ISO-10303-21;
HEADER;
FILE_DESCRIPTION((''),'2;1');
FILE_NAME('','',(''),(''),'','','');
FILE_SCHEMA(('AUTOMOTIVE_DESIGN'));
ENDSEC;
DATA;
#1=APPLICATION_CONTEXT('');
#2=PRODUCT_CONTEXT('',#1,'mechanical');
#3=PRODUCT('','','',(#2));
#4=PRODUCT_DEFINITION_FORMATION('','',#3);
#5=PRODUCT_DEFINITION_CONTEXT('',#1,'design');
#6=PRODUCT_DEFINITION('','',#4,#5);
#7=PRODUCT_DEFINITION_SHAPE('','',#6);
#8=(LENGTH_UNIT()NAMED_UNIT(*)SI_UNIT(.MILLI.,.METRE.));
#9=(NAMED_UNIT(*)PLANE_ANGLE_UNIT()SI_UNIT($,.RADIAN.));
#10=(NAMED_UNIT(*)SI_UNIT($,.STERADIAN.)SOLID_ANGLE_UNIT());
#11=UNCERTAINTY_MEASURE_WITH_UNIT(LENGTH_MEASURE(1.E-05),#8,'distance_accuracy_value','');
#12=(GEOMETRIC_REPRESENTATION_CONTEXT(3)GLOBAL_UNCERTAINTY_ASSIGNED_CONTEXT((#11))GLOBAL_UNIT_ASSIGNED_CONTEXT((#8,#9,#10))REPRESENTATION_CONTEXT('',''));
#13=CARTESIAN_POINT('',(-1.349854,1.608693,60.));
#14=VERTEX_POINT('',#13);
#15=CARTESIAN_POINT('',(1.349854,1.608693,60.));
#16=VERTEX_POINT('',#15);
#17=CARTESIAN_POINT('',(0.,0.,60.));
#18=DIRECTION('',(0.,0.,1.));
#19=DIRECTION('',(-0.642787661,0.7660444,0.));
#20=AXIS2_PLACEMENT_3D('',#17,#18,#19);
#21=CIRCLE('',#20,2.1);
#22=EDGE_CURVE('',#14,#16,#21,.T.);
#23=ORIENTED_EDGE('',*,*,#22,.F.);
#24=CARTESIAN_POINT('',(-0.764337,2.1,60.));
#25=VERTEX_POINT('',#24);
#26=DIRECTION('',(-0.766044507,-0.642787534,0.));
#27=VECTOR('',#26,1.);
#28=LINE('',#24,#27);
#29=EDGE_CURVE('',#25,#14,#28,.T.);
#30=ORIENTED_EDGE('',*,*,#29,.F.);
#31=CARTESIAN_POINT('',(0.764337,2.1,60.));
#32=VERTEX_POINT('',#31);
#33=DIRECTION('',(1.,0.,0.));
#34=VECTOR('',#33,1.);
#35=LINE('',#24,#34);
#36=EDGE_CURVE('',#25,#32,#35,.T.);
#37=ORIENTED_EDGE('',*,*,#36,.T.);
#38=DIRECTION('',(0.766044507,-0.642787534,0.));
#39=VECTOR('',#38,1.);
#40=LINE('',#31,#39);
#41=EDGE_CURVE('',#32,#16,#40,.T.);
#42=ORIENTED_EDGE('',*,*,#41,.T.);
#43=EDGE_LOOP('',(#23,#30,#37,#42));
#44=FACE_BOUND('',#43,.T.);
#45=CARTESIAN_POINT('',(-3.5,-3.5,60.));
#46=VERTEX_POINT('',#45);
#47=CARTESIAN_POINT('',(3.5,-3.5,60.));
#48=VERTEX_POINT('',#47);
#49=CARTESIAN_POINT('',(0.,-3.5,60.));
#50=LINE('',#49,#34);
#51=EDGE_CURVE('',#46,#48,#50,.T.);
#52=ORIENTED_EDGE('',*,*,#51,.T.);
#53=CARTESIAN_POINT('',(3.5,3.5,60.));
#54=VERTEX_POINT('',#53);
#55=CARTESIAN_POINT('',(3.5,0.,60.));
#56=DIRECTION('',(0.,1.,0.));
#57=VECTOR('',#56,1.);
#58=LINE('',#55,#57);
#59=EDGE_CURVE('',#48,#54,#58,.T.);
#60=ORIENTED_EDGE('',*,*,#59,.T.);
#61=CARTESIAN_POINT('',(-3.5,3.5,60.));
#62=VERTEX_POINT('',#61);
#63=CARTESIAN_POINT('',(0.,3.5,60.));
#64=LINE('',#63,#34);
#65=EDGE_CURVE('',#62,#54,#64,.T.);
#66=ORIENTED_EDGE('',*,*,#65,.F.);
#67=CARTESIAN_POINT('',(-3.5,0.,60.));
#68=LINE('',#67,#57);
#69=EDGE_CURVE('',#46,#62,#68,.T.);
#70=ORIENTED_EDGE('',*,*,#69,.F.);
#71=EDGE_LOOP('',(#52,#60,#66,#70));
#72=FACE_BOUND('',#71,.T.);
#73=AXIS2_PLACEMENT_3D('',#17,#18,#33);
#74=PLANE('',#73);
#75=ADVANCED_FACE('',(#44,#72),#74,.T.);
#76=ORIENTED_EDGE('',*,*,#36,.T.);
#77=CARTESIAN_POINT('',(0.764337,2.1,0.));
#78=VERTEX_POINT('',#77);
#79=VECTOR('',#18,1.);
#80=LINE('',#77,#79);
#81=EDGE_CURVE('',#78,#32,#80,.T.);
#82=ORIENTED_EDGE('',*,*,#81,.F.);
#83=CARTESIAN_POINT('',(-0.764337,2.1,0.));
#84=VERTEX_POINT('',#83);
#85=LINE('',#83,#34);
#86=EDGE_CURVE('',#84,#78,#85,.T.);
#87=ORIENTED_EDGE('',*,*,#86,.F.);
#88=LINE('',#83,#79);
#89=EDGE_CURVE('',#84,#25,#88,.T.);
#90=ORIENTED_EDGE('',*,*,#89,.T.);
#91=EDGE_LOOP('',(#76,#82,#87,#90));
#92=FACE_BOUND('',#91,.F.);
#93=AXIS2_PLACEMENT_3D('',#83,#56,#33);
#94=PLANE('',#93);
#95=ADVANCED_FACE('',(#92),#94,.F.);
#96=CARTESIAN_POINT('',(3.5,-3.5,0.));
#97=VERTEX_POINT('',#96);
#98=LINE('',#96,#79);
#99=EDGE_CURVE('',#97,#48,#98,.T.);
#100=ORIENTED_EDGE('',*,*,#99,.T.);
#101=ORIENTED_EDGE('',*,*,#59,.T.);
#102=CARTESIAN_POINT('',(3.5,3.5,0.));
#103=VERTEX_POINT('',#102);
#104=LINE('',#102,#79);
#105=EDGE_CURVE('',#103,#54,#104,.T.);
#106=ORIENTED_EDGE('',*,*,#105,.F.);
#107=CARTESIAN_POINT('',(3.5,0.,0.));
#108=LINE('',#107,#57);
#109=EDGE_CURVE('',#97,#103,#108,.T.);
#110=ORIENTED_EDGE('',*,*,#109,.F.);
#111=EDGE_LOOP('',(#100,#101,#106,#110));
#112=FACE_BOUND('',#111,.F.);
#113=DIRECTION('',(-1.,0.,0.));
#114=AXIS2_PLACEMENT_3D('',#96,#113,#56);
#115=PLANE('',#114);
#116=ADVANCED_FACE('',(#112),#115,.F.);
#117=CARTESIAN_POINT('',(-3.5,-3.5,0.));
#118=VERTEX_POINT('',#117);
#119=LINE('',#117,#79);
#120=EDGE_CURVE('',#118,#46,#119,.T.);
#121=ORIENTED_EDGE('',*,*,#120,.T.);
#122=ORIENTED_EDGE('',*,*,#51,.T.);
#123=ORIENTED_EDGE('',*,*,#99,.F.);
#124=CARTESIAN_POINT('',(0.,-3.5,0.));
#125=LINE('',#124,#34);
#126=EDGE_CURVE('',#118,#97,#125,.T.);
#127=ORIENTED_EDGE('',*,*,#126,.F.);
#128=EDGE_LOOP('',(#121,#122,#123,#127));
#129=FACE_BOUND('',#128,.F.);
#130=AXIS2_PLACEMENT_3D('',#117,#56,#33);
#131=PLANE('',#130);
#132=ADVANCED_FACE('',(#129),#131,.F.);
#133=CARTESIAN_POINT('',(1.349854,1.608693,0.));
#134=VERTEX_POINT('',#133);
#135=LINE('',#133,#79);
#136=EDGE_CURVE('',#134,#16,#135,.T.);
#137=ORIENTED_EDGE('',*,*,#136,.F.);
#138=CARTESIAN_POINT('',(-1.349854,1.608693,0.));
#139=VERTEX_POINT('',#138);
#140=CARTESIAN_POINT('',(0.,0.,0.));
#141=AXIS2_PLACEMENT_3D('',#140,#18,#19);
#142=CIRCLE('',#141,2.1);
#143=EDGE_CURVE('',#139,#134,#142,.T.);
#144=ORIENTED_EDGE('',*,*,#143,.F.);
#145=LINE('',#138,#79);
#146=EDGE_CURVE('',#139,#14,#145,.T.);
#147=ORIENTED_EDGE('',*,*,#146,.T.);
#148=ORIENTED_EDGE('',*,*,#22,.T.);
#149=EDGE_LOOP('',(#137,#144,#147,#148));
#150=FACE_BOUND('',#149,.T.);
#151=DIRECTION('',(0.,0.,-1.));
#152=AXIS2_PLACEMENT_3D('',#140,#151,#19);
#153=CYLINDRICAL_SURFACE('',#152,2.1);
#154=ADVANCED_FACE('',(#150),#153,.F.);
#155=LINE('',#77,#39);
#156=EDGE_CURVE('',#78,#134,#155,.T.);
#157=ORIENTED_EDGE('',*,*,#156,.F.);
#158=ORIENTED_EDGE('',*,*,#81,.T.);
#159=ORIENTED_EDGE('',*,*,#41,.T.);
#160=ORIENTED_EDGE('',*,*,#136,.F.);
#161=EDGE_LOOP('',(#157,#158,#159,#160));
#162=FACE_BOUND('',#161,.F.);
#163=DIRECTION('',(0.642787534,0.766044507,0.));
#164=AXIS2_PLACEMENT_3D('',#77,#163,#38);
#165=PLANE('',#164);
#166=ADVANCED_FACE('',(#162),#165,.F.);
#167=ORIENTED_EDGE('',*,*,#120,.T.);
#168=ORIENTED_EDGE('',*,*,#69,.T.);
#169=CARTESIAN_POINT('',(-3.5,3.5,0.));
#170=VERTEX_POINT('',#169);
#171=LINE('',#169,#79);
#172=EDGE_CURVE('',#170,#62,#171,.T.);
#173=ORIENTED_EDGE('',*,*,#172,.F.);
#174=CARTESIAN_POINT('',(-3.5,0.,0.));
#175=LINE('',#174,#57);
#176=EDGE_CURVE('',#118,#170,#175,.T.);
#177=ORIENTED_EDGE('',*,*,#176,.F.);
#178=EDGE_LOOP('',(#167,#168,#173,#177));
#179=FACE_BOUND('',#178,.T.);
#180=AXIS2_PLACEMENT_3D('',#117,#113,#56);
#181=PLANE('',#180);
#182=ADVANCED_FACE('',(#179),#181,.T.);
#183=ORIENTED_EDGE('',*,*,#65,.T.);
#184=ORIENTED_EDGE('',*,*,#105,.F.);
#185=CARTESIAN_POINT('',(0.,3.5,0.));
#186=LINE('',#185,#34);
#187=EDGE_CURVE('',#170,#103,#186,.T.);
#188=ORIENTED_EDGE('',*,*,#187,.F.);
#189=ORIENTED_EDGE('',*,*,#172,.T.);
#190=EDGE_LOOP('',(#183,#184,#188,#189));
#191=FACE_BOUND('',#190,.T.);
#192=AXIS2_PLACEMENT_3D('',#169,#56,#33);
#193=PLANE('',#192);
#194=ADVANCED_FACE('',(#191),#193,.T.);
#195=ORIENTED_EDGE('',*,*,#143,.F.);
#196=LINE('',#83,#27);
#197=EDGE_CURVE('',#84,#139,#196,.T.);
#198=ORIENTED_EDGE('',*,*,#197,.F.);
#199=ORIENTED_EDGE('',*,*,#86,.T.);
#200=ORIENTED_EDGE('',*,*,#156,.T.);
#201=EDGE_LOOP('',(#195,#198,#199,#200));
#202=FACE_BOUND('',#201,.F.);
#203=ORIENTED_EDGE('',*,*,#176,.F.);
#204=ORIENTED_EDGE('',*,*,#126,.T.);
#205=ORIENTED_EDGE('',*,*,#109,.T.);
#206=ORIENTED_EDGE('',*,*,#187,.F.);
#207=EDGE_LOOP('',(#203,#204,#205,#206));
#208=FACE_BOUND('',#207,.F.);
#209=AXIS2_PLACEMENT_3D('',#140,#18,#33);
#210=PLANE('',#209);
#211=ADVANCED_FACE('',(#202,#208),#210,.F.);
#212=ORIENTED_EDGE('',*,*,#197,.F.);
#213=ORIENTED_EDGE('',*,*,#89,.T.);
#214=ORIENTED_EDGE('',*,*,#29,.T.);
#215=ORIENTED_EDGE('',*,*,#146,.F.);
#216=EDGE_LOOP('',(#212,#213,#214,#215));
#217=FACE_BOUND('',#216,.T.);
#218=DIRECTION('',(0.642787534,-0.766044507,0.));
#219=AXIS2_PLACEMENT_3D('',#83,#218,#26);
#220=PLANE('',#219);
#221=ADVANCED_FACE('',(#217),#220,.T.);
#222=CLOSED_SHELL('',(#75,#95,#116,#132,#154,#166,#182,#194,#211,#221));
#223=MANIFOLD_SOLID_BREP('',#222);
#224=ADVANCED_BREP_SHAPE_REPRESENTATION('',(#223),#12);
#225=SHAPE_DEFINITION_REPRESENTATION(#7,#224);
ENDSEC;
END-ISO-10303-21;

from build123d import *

# Parameters (mm, degrees)
SKETCH_W  = 7
SKETCH_H  = 7
PAD_DEPTH = 60


with BuildPart() as part:
    # Sketch → Pad (new body)
    with BuildSketch(Plane.XY):
        Rectangle(SKETCH_W, SKETCH_H)
        with BuildLine():
            ThreePointArc((-1.349854, 1.608693), (0, -2.1), (1.349854, 1.608693))
            Line((0.764337, 2.1), (1.349854, 1.608693))
            Line((-0.764337, 2.1), (0.764337, 2.1))
            Line((-0.764337, 2.1), (-1.349854, 1.608693))
        make_face(mode=Mode.SUBTRACT)
    extrude(amount=PAD_DEPTH)


solid = part.part
